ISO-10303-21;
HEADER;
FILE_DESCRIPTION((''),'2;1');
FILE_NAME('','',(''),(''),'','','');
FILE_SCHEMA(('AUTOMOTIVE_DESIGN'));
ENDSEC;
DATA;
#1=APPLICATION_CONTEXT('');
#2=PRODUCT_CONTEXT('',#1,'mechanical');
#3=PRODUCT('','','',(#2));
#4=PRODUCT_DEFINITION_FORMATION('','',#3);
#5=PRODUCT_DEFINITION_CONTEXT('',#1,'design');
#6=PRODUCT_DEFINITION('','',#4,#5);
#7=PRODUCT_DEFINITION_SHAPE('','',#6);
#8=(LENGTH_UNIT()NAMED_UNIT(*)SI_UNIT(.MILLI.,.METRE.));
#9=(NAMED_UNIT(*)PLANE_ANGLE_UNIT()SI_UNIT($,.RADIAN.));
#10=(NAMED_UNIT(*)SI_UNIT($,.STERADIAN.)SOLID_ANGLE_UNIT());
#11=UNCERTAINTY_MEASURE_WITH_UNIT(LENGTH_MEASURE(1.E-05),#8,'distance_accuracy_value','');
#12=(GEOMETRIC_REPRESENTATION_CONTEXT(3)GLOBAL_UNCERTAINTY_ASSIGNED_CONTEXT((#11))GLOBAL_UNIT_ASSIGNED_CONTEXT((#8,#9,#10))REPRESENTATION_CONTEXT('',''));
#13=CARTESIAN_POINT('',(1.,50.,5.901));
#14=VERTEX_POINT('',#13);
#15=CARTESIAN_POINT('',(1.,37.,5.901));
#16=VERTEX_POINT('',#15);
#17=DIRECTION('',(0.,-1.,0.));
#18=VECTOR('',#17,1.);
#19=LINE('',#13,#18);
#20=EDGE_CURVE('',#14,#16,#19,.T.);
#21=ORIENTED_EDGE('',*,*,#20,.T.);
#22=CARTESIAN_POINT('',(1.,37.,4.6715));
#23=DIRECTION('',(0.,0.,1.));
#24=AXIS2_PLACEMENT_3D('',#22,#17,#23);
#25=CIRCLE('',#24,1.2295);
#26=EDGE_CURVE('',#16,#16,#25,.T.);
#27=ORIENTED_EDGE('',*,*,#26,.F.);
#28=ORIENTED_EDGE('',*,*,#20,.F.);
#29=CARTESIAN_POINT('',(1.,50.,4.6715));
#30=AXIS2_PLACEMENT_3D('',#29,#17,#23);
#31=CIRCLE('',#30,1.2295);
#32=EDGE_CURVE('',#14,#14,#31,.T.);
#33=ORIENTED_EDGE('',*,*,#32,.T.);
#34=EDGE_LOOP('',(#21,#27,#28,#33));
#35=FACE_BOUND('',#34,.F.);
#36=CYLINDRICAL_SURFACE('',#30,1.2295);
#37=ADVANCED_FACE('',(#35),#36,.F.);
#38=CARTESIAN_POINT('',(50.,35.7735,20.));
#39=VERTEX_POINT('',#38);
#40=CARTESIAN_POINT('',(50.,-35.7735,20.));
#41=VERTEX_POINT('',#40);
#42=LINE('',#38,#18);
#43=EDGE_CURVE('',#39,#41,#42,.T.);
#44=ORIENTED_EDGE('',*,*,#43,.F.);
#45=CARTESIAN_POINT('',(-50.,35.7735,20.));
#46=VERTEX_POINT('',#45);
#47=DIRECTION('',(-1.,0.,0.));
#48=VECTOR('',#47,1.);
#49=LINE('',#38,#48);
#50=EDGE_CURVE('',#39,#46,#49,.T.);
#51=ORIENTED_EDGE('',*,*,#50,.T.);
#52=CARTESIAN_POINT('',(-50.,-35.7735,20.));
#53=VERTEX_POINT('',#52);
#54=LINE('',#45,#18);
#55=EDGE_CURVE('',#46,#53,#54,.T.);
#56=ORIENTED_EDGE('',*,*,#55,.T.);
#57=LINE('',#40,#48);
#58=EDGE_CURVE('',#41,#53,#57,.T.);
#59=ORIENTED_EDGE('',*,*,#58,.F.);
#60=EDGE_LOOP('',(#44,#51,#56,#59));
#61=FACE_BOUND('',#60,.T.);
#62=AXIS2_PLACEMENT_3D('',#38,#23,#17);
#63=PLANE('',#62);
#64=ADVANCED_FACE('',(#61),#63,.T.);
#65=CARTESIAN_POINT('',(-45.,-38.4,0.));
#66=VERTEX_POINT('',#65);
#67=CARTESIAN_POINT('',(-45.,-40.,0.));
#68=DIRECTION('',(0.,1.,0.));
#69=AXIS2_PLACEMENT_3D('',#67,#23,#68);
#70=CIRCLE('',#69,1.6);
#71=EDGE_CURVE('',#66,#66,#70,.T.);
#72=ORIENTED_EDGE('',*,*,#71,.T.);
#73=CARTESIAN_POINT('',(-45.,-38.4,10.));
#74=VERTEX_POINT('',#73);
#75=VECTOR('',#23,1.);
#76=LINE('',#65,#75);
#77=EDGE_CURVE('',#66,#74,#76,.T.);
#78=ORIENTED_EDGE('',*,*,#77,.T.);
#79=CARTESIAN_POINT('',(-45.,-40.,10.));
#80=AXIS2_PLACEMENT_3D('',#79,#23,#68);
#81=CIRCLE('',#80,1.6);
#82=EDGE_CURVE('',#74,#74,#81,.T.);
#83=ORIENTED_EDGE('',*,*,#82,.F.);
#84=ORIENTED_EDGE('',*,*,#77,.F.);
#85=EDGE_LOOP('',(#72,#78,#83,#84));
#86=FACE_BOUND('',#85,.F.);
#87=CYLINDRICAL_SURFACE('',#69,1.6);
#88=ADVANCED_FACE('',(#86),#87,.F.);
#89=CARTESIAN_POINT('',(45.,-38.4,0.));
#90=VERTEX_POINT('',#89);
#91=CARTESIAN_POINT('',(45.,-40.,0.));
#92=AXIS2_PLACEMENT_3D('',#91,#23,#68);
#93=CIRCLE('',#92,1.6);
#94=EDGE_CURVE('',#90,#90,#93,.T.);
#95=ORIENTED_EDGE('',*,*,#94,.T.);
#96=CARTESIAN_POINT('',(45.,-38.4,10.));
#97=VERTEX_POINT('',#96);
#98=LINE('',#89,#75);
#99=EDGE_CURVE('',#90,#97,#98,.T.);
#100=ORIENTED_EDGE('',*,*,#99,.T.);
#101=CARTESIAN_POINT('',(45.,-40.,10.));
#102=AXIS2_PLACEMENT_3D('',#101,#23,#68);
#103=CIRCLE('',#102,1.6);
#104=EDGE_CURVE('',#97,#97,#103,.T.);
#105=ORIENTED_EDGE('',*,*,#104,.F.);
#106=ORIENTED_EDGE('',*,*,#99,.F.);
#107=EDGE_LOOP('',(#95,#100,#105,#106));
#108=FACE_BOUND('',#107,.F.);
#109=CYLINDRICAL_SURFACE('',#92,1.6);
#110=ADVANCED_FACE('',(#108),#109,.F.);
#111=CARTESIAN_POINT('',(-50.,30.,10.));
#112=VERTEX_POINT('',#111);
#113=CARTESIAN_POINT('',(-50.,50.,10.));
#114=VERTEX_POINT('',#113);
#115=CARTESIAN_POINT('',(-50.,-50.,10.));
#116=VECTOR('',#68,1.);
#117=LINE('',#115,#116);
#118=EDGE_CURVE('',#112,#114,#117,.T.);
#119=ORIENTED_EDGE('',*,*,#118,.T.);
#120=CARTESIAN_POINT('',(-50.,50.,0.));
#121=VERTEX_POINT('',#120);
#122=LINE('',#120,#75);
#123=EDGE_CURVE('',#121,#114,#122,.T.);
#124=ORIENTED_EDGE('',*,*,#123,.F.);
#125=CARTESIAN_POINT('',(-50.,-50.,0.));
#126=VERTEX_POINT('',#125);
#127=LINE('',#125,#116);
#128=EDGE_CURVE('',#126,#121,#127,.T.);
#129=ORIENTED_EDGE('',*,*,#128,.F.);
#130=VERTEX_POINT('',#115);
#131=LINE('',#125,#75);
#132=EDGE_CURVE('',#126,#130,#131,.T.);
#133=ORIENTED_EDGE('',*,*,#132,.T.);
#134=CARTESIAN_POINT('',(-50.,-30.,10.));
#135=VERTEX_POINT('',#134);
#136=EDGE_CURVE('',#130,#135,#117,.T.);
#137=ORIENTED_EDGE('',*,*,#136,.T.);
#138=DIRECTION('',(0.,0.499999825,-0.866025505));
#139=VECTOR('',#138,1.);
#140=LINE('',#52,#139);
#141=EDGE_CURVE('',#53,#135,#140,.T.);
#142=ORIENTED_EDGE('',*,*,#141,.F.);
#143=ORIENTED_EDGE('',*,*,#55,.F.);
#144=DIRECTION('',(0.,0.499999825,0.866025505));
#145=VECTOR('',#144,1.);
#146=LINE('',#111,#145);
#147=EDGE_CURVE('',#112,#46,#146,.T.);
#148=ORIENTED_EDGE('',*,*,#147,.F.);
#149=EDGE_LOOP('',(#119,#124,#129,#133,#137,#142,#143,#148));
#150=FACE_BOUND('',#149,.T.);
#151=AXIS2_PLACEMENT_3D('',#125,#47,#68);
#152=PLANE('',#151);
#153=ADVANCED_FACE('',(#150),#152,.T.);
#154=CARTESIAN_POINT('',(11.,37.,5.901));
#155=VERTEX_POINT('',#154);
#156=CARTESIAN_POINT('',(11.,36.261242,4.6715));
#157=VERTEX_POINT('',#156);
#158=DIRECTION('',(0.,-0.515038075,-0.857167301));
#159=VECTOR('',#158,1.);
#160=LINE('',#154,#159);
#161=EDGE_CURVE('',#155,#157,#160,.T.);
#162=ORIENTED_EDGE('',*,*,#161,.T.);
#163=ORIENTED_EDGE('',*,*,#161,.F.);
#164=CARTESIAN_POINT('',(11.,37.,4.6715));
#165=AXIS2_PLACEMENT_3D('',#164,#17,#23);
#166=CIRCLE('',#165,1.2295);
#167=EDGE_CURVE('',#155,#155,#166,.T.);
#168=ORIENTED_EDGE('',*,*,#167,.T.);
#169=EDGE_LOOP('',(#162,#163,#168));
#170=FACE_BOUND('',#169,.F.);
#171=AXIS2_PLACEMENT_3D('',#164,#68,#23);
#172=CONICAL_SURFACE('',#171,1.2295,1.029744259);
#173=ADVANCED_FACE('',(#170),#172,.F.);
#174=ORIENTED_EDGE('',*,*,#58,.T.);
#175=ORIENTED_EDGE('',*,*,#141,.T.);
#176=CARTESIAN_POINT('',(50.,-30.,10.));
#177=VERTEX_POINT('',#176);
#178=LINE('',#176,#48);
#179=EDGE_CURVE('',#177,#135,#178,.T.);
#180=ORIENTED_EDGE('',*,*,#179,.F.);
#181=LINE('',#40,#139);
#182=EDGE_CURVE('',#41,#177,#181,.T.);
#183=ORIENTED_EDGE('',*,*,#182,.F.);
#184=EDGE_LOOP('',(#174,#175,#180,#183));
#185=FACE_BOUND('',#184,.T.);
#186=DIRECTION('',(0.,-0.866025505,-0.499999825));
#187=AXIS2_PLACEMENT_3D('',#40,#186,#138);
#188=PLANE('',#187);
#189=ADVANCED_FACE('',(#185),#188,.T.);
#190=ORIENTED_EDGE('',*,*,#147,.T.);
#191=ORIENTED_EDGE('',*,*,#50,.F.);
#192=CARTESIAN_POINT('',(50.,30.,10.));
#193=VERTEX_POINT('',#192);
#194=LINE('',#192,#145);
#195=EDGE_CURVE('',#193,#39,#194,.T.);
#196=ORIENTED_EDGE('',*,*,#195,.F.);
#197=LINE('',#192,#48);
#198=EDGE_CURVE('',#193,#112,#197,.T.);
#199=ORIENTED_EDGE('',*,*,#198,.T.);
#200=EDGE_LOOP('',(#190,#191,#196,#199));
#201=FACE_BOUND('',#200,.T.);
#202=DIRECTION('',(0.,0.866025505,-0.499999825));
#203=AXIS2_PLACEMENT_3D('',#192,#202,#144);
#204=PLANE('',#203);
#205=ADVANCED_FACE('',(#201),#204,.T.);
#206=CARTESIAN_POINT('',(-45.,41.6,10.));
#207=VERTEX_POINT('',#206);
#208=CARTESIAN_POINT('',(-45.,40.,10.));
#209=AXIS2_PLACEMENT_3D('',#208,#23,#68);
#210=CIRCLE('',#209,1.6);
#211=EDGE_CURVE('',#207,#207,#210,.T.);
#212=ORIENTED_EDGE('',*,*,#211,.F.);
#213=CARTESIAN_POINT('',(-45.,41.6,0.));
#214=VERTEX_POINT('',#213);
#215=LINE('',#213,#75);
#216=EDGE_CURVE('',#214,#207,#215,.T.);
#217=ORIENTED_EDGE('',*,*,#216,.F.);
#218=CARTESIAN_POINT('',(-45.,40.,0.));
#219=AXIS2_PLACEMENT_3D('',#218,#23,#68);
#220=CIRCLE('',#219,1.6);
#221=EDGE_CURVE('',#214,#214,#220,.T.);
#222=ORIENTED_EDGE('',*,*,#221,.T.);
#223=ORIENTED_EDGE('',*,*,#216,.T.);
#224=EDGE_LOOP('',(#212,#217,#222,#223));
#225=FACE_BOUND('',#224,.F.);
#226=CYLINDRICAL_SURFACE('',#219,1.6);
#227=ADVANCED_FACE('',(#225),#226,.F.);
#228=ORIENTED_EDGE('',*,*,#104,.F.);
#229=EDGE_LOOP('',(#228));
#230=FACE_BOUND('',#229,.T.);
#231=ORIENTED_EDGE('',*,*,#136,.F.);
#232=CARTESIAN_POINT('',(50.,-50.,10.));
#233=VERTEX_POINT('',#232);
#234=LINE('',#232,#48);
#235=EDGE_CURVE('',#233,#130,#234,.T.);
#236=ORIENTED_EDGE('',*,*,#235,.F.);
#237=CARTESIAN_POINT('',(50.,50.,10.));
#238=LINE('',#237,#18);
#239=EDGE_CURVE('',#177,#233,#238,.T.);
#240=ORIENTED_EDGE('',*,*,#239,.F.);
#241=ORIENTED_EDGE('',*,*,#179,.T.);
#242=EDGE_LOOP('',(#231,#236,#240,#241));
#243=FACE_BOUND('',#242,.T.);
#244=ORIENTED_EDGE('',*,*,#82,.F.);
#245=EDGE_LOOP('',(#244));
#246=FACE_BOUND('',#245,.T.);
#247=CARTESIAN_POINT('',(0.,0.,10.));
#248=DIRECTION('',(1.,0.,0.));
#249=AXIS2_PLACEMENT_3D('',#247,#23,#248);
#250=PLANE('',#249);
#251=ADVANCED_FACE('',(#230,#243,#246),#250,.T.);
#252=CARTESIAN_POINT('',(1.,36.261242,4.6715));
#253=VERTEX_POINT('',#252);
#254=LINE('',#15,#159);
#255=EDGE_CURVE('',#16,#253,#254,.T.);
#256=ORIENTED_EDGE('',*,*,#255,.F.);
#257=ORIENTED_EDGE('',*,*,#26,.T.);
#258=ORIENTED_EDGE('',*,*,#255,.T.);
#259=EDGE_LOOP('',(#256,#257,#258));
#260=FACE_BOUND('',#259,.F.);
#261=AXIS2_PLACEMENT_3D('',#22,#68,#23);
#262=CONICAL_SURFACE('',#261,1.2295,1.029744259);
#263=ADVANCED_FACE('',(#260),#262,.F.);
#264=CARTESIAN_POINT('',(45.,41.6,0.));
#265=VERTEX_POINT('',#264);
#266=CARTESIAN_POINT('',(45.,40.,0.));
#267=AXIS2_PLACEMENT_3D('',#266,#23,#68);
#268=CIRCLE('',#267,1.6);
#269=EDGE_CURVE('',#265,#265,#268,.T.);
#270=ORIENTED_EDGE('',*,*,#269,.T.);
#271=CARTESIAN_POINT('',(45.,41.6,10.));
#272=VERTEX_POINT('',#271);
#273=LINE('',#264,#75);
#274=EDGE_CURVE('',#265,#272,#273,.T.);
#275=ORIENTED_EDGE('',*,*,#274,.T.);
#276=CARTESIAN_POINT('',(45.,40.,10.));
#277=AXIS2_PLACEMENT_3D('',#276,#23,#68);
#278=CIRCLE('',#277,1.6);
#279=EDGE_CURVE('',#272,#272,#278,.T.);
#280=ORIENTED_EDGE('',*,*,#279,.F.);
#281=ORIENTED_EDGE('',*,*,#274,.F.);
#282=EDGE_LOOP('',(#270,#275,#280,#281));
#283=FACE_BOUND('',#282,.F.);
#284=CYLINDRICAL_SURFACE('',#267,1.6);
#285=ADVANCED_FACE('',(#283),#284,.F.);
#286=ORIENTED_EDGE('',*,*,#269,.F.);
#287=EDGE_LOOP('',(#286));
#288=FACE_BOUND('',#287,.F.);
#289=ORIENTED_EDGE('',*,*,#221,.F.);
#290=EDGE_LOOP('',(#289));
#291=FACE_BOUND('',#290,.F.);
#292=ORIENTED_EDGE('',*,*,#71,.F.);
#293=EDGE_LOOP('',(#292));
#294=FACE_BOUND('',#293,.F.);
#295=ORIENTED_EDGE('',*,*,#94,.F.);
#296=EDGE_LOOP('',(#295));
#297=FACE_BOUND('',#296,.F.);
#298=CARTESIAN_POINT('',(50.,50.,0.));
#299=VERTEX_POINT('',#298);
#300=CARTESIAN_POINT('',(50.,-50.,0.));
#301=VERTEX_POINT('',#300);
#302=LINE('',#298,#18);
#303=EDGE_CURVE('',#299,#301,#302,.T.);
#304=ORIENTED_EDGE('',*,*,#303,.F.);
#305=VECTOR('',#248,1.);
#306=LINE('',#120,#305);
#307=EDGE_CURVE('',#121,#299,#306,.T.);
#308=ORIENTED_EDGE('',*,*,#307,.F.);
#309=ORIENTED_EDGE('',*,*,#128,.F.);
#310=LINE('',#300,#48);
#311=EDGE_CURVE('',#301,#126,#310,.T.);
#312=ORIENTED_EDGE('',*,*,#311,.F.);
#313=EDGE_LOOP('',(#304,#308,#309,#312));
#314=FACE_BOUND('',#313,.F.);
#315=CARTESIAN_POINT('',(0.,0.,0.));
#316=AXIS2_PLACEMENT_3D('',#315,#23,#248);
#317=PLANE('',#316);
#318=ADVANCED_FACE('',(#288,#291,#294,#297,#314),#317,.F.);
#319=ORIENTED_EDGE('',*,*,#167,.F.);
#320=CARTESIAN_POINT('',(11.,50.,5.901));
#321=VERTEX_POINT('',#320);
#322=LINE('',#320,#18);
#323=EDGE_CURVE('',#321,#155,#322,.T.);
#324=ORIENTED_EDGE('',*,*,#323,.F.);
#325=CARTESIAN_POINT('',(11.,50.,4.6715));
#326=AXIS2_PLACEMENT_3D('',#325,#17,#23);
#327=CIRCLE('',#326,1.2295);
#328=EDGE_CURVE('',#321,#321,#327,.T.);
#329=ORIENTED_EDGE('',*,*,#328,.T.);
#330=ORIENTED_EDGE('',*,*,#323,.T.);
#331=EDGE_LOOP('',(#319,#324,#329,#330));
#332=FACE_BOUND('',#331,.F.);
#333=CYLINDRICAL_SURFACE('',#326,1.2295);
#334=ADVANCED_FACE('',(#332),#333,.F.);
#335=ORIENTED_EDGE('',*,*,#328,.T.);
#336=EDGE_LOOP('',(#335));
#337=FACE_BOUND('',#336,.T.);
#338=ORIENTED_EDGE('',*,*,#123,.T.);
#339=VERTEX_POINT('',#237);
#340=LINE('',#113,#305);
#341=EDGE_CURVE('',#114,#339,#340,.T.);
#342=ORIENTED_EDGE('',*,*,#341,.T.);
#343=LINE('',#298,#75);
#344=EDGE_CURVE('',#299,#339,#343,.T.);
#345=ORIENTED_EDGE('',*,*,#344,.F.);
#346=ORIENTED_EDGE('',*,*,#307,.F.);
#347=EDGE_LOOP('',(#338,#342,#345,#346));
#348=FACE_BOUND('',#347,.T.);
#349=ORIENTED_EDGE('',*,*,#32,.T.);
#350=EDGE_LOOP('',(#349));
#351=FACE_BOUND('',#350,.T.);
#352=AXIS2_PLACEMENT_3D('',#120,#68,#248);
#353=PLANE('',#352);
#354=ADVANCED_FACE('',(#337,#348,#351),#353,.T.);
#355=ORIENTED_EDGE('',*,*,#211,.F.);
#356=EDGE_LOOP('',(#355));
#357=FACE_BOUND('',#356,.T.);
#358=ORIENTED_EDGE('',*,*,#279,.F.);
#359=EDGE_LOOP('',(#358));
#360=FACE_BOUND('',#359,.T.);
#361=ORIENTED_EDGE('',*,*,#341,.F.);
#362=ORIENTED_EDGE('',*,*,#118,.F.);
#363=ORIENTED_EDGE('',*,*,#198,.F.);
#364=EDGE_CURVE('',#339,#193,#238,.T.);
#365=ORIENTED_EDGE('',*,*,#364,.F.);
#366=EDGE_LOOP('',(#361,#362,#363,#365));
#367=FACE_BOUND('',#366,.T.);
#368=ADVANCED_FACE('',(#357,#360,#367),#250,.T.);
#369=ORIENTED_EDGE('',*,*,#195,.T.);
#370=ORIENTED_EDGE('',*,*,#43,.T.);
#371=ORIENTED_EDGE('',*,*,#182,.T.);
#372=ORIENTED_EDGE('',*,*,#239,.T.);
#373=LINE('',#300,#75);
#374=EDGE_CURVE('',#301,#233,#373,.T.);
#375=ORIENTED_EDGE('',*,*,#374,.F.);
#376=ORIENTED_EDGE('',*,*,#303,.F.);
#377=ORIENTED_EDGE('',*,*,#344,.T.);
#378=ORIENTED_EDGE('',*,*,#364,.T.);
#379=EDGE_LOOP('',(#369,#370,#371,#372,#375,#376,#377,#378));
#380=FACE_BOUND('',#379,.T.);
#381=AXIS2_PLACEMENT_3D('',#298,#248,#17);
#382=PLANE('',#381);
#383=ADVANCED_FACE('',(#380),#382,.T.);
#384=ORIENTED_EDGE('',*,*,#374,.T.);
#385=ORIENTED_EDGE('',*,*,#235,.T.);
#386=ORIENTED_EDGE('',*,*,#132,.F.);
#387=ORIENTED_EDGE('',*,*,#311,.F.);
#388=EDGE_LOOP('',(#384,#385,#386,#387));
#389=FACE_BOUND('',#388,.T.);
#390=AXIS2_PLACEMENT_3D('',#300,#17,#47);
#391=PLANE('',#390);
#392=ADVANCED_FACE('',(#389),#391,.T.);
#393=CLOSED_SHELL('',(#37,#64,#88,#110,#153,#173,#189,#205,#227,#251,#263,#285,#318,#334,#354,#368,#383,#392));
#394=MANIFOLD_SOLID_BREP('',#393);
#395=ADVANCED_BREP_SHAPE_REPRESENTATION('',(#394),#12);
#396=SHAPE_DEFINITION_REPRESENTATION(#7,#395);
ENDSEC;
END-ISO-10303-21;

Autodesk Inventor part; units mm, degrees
ref_plane "YZ Plane" through (0, 0, 0) normal (1, 0, 0) x (0, 1, 0)
ref_plane "XZ Plane" through (0, 0, 0) normal (0, 1, 0) x (-1, 0, 0)
ref_plane "XY Plane" through (0, 0, 0) normal (0, 0, 1) x (1, 0, 0)
sketch "Sketch1" plane through (0, 0, 0) normal (0, 0, 1) x (1, 0, 0)
  line L0 (-50, 50) -> (50, 50)
  line L1 (50, 50) -> (50, -50)
  line L2 (50, -50) -> (-50, -50)
  line L3 (-50, -50) -> (-50, 50)
  line L4 (0, 0) -> (0, 5.8013) construction
  line L5 (0, 0) -> (4.5076, 0) construction
  dimension "d0" = 100
  dimension "d1" = 100
extrude "Extrusion1" add sketch "Sketch1" along normal blind 10
sketch "Sketch2" plane through (50, -50, 0) normal (1, 0, 0) x (0, 0, -1)
  line L0 (-10, 100) -> (-10, 0) projected
  line L1 (-10, 80) -> (-20, 85.7735)
  line L2 (-20, 85.7735) -> (-20, 14.2265)
  line L3 (-20, 14.2265) -> (-10, 20)
  line L4 (0, 100) -> (-10, 100) projected
  line L5 (0, 0) -> (-10, 0) projected
  point P0 (0, 50)
  dimension "d4" = 60
  dimension "d5" = 60
  dimension "d6" = 10
  dimension "d7" = 20
  dimension "d8" = 20
extrude "Extrusion2" add sketch "Sketch2" against normal up to surface (100 mm away)
sketch "Sketch3" plane through (0, 0, 0) normal (0, 0, -1) x (-1, 0, 0)
  line L0 (50, -50) -> (50, 50) projected
  line L1 (50, 50) -> (-50, 50) projected
  line L2 (-50, -50) -> (50, -50) projected
  line L3 (-50, 50) -> (-50, -50) projected
  point P0 (0, 0)
  point P1 (45, -40)
  point P2 (45, 40)
  point P3 (-45, 40)
  point P4 (-45, -40)
  dimension "d11" = 5
  dimension "d12" = 10
  dimension "d13" = 5
  dimension "d14" = 10
  dimension "d15" = 10
  dimension "d16" = 5
  dimension "d17" = 10
  dimension "d18" = 5
hole "Hole1" at (-45, -40, 0) at (-45, 40, 0) at (45, 40, 0) at (45, -40, 0) direction (0, 0, 1) diameter 3.2 end through all
sketch "Sketch4" plane through (-50, 50, 0) normal (0, 1, 0) x (1, 0, 0)
  circle A0 centre (51, -4.6715) radius 1.6 projected
  circle A1 centre (61, -4.6715) radius 1.6 projected
  point P0 (50, 0)
hole "Hole2" at (1, 50, 4.6715) at (11, 50, 4.6715) direction (0, -1, 0) diameter 2.459 depth 13 tip angle 118 thread size "M3x0.5" class "6H" standard "ISO Metric profile"
properties part number "3d_LM-Welding_Tooling - Moving base" material "Aluminium 6061-T6"
